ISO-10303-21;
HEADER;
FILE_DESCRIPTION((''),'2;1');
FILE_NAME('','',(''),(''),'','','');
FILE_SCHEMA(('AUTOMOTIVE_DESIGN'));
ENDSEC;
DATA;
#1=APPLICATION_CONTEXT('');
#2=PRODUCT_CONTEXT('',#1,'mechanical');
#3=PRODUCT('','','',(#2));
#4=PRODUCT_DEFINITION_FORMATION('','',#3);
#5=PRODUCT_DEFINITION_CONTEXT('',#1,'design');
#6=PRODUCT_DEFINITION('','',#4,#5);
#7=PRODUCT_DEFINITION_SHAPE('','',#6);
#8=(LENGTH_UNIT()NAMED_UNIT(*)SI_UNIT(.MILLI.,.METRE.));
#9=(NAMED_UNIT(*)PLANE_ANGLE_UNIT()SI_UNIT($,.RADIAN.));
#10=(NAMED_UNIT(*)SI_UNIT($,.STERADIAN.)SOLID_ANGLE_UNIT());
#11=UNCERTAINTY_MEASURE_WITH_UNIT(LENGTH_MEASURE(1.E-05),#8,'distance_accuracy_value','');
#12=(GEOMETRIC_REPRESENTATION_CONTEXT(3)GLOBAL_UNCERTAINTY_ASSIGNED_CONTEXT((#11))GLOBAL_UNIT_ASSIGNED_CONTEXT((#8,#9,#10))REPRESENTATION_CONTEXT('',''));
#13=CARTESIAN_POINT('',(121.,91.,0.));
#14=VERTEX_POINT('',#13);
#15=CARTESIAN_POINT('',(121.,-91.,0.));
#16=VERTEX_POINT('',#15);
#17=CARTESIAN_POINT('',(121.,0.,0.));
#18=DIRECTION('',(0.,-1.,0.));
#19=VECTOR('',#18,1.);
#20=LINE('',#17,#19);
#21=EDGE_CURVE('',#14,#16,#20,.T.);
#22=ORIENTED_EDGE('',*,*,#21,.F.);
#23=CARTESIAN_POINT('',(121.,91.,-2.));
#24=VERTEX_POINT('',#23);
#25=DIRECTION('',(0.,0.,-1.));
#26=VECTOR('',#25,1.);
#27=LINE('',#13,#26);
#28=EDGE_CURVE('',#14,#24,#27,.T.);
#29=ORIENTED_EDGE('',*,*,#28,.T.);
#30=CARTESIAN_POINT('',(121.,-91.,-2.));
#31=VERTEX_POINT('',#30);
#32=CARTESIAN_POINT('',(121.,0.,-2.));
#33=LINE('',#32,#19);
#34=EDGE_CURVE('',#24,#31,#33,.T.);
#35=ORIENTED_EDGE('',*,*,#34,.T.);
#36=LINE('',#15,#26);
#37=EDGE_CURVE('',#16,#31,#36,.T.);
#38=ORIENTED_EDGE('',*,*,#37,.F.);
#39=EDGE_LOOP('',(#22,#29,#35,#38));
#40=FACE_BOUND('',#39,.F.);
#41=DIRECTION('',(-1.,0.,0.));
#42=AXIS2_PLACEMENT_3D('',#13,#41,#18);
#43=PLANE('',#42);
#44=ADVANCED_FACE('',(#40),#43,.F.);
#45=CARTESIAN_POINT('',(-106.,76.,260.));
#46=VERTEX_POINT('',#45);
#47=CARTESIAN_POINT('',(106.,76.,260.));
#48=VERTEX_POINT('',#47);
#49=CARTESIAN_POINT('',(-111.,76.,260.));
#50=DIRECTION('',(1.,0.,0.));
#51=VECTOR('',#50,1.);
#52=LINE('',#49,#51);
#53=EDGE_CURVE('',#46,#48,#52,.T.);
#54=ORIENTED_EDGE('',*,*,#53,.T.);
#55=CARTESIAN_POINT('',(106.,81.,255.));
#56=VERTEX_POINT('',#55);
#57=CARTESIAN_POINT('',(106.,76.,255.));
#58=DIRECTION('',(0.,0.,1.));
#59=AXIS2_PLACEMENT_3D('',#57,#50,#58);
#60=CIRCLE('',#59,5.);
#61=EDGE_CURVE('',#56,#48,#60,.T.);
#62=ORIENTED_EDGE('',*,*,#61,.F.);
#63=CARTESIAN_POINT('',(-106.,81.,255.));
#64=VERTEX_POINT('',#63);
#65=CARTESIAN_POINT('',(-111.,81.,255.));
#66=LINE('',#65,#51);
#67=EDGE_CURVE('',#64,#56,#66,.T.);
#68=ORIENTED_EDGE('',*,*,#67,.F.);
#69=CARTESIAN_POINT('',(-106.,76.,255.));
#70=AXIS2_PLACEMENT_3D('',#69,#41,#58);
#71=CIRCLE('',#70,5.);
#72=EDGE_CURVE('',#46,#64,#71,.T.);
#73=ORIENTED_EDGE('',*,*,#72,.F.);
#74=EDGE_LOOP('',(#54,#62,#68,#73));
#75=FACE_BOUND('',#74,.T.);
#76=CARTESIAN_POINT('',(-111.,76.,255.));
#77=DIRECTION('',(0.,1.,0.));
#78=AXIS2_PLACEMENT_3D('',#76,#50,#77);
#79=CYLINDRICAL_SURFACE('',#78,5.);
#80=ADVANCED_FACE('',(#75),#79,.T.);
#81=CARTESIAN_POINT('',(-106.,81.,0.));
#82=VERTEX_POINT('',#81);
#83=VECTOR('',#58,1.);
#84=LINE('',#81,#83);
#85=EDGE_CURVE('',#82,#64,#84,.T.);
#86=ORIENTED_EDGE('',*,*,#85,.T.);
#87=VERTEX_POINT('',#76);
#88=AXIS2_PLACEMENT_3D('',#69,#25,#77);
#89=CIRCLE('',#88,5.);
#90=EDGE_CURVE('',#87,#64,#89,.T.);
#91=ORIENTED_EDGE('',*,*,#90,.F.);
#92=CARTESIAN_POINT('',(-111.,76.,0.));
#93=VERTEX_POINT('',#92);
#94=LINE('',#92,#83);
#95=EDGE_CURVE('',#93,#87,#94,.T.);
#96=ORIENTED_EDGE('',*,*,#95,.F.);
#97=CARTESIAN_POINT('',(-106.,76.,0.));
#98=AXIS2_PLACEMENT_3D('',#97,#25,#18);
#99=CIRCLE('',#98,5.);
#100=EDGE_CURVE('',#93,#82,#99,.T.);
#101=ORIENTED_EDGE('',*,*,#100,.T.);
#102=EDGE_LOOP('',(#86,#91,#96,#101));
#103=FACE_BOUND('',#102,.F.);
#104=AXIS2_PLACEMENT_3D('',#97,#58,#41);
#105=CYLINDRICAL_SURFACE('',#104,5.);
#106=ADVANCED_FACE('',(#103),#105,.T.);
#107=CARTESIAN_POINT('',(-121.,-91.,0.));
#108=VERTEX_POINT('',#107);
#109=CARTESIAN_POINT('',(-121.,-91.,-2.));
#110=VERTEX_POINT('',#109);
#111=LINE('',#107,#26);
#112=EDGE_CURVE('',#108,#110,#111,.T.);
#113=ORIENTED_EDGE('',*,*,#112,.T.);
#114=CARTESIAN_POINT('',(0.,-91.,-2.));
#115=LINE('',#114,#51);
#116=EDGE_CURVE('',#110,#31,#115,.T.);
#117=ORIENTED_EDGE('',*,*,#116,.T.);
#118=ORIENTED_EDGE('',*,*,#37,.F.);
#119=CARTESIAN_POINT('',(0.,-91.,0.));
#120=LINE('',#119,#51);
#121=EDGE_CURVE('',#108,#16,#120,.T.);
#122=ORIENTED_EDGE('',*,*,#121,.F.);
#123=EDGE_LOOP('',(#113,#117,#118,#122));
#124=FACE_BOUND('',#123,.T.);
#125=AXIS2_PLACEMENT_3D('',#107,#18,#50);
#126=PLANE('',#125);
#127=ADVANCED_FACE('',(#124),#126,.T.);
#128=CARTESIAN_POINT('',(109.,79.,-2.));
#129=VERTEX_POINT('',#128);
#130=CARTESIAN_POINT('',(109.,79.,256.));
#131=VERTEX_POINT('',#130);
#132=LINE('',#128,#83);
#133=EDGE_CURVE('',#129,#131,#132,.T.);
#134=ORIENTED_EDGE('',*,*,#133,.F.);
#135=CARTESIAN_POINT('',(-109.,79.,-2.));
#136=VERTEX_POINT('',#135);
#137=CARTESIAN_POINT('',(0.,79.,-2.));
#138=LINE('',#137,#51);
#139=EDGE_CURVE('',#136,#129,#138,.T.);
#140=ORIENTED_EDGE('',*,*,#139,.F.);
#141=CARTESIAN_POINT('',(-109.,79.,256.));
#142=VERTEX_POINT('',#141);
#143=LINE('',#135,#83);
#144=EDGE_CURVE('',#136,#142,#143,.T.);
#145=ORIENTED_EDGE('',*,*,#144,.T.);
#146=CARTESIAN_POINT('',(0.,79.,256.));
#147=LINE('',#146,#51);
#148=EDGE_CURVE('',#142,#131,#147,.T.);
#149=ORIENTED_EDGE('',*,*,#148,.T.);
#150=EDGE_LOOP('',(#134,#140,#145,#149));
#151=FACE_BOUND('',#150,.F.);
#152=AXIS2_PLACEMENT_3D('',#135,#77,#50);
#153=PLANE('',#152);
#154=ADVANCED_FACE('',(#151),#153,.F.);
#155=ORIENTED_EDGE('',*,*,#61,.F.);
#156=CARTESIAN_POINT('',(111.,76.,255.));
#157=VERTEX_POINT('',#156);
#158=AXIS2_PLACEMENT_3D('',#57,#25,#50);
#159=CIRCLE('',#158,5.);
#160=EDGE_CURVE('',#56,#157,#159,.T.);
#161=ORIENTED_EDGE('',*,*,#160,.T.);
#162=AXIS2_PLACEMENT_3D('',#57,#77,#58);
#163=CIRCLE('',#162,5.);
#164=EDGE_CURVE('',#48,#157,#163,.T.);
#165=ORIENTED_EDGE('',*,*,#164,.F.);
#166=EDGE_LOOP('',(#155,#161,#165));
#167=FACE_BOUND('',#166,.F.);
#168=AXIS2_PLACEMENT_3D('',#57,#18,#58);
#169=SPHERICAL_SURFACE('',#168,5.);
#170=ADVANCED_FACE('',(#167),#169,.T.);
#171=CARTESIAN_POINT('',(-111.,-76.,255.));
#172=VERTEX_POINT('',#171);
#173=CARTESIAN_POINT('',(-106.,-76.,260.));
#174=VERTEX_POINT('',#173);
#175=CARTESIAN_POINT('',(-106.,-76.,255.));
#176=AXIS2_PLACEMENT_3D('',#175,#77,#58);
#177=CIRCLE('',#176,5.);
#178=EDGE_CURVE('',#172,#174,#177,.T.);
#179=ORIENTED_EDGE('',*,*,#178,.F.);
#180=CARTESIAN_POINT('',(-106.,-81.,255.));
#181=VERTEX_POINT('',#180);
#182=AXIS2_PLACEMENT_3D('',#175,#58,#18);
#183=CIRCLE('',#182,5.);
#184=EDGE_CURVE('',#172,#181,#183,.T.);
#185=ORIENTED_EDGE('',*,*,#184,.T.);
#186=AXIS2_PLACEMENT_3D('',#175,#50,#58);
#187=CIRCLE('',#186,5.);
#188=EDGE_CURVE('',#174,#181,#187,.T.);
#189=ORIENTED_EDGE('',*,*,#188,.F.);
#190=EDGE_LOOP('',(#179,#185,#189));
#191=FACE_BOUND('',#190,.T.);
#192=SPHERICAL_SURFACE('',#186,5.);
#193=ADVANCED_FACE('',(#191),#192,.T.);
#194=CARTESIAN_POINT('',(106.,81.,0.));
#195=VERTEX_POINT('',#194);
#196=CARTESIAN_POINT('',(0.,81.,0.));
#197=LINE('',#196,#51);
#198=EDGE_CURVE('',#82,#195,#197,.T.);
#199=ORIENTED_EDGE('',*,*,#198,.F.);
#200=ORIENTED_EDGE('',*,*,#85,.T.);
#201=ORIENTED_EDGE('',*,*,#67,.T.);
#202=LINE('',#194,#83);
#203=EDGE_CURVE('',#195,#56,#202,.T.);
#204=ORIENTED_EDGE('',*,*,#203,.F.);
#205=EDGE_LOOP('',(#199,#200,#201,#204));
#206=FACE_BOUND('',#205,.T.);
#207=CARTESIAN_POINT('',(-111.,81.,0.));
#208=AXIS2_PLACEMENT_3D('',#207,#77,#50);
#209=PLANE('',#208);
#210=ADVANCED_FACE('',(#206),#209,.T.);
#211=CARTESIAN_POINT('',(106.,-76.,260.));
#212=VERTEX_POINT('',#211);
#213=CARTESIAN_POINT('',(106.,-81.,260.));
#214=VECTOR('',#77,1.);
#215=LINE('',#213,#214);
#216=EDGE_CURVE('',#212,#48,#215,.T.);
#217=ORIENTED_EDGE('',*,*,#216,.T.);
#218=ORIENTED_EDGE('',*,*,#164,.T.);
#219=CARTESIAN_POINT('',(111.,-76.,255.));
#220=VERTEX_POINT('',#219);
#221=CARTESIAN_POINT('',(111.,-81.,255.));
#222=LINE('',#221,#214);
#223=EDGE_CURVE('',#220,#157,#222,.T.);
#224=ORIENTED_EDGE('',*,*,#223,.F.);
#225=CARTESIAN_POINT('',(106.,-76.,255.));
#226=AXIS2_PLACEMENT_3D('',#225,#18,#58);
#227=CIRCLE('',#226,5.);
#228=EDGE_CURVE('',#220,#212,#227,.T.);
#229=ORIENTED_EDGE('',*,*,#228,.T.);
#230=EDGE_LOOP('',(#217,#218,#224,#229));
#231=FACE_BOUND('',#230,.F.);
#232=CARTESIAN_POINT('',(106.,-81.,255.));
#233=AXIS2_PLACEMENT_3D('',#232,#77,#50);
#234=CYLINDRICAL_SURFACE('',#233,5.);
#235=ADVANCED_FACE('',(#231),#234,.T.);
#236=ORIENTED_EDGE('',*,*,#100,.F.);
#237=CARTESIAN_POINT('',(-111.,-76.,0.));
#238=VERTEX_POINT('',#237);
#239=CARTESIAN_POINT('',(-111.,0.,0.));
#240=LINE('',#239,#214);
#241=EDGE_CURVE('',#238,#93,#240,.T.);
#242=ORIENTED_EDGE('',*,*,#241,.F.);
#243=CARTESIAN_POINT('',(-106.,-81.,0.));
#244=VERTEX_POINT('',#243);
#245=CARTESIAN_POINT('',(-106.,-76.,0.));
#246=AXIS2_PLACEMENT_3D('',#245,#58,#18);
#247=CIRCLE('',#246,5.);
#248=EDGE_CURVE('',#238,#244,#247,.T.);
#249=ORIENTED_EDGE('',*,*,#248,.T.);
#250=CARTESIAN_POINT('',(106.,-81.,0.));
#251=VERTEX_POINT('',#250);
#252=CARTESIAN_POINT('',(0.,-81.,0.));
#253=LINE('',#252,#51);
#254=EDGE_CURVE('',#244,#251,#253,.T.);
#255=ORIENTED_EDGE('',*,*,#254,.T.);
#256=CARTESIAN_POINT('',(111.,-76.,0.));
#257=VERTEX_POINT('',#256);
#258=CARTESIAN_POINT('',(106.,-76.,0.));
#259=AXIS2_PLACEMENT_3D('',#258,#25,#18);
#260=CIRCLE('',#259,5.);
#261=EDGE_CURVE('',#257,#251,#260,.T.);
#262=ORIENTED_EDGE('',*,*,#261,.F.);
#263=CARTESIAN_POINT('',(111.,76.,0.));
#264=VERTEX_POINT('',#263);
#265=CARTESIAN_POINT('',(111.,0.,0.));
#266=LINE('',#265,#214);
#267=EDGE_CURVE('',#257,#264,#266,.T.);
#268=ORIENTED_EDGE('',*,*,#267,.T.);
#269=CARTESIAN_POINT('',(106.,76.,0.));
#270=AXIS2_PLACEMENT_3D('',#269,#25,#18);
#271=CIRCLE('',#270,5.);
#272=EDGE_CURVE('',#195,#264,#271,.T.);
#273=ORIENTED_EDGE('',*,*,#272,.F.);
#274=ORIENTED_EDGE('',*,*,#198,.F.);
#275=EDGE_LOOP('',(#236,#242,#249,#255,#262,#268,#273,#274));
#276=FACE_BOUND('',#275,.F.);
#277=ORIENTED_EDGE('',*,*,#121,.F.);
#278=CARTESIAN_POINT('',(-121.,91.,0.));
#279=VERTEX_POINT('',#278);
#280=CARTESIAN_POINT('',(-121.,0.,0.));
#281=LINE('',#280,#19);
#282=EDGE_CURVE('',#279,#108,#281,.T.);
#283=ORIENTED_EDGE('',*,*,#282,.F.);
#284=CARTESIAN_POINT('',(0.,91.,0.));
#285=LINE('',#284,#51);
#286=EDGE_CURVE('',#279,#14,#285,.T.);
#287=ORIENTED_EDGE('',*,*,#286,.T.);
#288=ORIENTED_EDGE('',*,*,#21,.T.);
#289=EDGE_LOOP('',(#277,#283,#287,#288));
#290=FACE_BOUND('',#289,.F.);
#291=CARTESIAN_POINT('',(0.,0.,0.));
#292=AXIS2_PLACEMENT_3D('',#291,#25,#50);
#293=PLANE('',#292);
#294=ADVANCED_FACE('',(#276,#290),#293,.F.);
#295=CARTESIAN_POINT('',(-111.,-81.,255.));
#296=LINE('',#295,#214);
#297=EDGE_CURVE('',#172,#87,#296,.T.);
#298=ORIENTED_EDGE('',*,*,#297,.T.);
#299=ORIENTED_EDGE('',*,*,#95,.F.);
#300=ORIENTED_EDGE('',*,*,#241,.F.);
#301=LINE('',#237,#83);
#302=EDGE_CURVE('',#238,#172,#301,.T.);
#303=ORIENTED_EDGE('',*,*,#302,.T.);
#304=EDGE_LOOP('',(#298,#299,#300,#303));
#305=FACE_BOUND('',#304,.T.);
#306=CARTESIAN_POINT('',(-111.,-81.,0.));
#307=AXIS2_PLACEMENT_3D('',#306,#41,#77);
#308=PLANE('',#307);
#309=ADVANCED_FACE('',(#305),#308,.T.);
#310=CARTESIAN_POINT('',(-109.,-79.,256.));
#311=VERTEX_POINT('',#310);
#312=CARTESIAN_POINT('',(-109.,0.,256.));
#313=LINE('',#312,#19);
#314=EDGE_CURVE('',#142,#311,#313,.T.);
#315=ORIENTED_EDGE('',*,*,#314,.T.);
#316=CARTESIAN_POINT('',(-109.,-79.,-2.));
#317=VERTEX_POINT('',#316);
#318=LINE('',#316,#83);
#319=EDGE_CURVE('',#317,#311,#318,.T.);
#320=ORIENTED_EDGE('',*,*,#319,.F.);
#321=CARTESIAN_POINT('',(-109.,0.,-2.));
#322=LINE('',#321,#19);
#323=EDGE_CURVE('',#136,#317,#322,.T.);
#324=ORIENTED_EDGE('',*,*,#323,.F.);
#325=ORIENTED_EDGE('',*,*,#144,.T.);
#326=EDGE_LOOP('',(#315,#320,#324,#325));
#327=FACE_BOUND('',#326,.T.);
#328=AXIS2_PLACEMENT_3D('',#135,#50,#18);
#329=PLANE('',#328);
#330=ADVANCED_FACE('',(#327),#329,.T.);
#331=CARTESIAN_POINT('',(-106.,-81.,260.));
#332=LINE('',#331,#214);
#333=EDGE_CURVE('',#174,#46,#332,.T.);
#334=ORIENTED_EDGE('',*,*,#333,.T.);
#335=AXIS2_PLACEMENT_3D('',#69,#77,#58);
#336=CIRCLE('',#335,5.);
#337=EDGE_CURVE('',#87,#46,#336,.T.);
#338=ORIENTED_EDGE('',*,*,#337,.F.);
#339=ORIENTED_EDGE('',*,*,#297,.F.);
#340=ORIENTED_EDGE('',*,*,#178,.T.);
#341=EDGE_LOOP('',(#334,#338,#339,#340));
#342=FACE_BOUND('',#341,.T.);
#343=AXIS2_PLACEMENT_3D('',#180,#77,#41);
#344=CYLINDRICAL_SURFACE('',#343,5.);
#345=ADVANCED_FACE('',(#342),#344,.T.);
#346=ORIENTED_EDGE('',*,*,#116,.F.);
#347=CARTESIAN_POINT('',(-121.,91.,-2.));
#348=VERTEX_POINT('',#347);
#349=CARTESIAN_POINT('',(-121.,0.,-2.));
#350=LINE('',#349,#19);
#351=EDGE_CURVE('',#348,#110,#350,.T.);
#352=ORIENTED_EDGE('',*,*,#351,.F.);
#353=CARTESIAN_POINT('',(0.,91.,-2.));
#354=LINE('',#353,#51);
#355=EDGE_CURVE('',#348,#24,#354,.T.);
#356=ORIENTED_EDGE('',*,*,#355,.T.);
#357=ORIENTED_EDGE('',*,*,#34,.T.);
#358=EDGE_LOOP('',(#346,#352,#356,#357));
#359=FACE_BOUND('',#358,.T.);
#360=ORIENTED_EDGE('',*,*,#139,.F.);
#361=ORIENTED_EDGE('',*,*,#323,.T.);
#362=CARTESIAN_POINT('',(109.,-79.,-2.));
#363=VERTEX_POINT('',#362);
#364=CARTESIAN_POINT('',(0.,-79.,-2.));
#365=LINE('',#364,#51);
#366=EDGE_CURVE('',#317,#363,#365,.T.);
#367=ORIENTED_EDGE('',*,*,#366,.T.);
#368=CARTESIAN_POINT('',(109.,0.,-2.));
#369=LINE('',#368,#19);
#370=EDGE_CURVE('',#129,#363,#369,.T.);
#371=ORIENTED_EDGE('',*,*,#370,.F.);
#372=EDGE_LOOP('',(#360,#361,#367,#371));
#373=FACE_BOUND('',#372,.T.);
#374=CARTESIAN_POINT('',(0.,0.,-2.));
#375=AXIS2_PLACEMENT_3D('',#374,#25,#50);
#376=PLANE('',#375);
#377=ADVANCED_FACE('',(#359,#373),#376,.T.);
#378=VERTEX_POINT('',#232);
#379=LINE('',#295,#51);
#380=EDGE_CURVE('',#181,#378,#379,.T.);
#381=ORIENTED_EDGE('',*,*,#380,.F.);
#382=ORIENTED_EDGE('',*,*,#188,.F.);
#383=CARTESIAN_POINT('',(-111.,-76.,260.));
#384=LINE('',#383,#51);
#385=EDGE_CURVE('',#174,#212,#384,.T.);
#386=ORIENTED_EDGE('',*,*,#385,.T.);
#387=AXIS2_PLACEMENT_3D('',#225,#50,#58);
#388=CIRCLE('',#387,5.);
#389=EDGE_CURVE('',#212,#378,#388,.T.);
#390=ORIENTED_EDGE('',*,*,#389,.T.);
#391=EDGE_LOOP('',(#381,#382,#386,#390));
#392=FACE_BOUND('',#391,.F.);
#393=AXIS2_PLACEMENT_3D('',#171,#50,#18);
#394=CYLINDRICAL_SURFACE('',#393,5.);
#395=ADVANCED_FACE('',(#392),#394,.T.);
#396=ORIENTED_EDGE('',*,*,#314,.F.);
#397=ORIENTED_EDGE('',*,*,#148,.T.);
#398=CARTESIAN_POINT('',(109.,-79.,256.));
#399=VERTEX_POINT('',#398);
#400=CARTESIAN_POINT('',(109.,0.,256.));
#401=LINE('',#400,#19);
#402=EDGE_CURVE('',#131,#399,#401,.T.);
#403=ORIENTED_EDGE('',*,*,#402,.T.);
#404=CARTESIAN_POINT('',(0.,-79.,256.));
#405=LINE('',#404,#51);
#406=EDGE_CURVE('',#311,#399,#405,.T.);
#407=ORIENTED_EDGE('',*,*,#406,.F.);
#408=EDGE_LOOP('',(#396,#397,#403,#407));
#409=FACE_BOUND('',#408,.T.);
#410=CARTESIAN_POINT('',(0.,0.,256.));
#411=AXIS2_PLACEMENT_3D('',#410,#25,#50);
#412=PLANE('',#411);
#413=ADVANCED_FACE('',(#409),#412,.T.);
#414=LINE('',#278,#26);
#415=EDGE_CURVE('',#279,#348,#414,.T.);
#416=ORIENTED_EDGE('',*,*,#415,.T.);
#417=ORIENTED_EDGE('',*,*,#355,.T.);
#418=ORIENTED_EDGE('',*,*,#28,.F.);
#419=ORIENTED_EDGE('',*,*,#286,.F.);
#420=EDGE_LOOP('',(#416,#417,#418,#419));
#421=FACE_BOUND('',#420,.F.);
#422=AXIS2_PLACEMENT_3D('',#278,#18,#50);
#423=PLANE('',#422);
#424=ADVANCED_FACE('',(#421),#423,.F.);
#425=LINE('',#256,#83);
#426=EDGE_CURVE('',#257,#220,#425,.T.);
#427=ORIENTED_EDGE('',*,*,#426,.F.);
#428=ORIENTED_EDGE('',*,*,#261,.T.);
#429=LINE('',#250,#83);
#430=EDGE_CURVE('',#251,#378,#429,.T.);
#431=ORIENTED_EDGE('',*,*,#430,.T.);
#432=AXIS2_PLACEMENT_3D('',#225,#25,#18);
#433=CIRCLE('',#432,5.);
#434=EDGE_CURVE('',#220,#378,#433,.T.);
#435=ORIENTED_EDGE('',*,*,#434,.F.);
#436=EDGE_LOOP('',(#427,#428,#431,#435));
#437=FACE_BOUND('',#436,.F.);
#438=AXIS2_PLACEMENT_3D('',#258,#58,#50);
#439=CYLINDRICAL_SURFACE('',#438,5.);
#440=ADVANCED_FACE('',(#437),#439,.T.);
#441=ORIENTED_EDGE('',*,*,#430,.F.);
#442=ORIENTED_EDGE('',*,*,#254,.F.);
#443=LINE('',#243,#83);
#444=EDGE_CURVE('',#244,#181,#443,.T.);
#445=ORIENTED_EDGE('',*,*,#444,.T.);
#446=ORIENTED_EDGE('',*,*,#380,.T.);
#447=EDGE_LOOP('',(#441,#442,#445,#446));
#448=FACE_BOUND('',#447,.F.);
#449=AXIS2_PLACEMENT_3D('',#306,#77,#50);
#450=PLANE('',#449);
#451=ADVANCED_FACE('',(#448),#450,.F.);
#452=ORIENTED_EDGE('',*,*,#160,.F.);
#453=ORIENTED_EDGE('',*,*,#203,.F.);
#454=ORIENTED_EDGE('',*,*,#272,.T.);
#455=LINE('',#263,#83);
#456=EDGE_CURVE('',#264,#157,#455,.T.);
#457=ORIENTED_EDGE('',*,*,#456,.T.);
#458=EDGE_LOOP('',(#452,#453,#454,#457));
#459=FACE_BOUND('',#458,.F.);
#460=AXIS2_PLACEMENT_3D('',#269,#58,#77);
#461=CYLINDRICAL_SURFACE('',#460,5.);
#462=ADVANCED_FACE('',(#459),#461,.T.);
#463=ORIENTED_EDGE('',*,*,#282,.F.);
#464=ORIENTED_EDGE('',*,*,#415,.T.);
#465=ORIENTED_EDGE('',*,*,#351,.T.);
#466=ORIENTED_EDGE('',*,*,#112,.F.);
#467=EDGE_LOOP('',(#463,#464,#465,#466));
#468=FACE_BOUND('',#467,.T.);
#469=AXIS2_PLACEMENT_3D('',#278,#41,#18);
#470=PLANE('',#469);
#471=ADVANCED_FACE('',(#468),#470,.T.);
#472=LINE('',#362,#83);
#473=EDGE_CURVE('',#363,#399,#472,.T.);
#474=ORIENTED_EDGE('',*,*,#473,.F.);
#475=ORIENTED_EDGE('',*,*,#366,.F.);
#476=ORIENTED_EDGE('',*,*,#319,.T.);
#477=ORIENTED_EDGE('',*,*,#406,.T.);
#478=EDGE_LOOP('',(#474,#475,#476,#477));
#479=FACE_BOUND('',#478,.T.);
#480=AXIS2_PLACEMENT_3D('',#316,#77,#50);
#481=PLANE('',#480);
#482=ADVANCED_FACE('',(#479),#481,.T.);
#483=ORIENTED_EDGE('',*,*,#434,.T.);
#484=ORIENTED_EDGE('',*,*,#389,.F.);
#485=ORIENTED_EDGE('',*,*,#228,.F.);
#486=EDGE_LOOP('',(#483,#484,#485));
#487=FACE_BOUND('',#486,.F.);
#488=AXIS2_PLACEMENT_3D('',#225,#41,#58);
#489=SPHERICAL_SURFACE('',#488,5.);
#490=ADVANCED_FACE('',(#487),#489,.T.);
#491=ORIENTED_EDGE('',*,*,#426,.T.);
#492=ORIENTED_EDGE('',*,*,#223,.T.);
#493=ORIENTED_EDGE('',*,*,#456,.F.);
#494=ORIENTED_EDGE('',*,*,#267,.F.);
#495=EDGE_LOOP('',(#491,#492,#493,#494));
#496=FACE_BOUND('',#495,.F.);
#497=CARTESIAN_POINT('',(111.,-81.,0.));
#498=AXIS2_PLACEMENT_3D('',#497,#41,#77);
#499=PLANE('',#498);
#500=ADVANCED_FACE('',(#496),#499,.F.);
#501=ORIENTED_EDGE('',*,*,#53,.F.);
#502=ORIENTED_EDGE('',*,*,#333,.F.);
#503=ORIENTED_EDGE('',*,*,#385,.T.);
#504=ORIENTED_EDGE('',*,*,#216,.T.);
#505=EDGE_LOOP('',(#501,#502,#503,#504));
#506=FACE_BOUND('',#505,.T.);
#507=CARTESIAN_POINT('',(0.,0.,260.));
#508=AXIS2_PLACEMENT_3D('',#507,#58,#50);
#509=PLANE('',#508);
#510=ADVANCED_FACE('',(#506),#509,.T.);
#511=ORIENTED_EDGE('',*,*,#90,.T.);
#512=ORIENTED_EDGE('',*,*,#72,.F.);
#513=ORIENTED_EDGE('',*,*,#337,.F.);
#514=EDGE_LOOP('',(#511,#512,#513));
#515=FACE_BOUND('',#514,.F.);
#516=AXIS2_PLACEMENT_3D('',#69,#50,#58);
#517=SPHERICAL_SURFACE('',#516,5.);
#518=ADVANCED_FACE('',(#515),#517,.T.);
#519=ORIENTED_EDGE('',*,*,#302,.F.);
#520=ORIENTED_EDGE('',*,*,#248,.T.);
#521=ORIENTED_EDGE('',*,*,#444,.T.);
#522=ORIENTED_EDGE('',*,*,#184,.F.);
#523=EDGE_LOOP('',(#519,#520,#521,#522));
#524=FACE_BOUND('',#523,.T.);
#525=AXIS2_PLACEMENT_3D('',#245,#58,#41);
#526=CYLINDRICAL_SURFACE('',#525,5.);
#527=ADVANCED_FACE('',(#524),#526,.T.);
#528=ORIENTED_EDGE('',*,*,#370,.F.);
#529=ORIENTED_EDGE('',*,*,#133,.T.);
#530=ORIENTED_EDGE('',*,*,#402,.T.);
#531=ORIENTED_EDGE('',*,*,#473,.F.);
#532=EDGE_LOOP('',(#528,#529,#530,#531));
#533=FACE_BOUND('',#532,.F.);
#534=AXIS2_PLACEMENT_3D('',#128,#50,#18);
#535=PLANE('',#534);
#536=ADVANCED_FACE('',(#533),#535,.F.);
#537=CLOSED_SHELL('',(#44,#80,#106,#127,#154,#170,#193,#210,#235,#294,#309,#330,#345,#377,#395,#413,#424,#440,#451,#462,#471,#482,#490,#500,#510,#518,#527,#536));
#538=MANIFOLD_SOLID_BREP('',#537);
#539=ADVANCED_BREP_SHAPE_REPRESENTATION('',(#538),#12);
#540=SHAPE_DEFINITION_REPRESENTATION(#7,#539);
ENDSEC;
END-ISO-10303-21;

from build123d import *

# Parameters (mm, degrees)
F0_W     = 222
F0_H     = 162
F1_DEPTH = 260
F2_W     = 242
F2_H     = 182
F3_DEPTH = 2
F4_R     = 5
F5_R     = 4
F6_DEPTH = 2
F7_W     = 218
F7_H     = 158
F8_DEPTH = 258


with BuildPart() as f1:
    # F0 (on Top) → F1 (new body)
    with BuildSketch(Plane.XY):
        Rectangle(F0_W, F0_H)
    extrude(amount=F1_DEPTH)

    # F2 (on face) → F3 (join)
    with BuildSketch(Plane(origin=(0, 0, 0), x_dir=(1, 0, 0), z_dir=(0, 0, -1))):
        Rectangle(F2_W, F2_H)
    extrude(amount=F3_DEPTH)

    # F4
    f4_edges = [f1.edges().sort_by_distance(p)[0] for p in [
        (0, -81, 260),
        (111, 0, 260),
        (0, 81, 260),
        (-111, 0, 260),
        (111, -81, 130),
        (-111, -81, 130),
        (111, 81, 130),
        (-111, 81, 130),
    ]]
    fillet(f4_edges, radius=F4_R)

    # F7 (on face) → F8 (cut)
    with BuildSketch(Plane(origin=(0, 0, -2), x_dir=(1, 0, 0), z_dir=(0, 0, -1))):
        Rectangle(F7_W, F7_H)
    extrude(amount=-F8_DEPTH, mode=Mode.SUBTRACT)


with BuildPart() as f6:
    # F5 (on Right) → F6 (new body)
    with BuildSketch(Plane.YZ):
        with BuildLine():
            Line((-101, 20.151517), (-81, 20.151517))
            Line((-81, 20.151517), (-81, 40.151517))
            Line((-81, 40.151517), (-101, 40.151517))
            ThreePointArc((-101, 40.151517), (-111, 30.151517), (-101, 20.151517))
        make_face()
        with Locations((-101, 30.151517)):
            Circle(F5_R, mode=Mode.SUBTRACT)
    extrude(amount=F6_DEPTH)


solid = f1.part
